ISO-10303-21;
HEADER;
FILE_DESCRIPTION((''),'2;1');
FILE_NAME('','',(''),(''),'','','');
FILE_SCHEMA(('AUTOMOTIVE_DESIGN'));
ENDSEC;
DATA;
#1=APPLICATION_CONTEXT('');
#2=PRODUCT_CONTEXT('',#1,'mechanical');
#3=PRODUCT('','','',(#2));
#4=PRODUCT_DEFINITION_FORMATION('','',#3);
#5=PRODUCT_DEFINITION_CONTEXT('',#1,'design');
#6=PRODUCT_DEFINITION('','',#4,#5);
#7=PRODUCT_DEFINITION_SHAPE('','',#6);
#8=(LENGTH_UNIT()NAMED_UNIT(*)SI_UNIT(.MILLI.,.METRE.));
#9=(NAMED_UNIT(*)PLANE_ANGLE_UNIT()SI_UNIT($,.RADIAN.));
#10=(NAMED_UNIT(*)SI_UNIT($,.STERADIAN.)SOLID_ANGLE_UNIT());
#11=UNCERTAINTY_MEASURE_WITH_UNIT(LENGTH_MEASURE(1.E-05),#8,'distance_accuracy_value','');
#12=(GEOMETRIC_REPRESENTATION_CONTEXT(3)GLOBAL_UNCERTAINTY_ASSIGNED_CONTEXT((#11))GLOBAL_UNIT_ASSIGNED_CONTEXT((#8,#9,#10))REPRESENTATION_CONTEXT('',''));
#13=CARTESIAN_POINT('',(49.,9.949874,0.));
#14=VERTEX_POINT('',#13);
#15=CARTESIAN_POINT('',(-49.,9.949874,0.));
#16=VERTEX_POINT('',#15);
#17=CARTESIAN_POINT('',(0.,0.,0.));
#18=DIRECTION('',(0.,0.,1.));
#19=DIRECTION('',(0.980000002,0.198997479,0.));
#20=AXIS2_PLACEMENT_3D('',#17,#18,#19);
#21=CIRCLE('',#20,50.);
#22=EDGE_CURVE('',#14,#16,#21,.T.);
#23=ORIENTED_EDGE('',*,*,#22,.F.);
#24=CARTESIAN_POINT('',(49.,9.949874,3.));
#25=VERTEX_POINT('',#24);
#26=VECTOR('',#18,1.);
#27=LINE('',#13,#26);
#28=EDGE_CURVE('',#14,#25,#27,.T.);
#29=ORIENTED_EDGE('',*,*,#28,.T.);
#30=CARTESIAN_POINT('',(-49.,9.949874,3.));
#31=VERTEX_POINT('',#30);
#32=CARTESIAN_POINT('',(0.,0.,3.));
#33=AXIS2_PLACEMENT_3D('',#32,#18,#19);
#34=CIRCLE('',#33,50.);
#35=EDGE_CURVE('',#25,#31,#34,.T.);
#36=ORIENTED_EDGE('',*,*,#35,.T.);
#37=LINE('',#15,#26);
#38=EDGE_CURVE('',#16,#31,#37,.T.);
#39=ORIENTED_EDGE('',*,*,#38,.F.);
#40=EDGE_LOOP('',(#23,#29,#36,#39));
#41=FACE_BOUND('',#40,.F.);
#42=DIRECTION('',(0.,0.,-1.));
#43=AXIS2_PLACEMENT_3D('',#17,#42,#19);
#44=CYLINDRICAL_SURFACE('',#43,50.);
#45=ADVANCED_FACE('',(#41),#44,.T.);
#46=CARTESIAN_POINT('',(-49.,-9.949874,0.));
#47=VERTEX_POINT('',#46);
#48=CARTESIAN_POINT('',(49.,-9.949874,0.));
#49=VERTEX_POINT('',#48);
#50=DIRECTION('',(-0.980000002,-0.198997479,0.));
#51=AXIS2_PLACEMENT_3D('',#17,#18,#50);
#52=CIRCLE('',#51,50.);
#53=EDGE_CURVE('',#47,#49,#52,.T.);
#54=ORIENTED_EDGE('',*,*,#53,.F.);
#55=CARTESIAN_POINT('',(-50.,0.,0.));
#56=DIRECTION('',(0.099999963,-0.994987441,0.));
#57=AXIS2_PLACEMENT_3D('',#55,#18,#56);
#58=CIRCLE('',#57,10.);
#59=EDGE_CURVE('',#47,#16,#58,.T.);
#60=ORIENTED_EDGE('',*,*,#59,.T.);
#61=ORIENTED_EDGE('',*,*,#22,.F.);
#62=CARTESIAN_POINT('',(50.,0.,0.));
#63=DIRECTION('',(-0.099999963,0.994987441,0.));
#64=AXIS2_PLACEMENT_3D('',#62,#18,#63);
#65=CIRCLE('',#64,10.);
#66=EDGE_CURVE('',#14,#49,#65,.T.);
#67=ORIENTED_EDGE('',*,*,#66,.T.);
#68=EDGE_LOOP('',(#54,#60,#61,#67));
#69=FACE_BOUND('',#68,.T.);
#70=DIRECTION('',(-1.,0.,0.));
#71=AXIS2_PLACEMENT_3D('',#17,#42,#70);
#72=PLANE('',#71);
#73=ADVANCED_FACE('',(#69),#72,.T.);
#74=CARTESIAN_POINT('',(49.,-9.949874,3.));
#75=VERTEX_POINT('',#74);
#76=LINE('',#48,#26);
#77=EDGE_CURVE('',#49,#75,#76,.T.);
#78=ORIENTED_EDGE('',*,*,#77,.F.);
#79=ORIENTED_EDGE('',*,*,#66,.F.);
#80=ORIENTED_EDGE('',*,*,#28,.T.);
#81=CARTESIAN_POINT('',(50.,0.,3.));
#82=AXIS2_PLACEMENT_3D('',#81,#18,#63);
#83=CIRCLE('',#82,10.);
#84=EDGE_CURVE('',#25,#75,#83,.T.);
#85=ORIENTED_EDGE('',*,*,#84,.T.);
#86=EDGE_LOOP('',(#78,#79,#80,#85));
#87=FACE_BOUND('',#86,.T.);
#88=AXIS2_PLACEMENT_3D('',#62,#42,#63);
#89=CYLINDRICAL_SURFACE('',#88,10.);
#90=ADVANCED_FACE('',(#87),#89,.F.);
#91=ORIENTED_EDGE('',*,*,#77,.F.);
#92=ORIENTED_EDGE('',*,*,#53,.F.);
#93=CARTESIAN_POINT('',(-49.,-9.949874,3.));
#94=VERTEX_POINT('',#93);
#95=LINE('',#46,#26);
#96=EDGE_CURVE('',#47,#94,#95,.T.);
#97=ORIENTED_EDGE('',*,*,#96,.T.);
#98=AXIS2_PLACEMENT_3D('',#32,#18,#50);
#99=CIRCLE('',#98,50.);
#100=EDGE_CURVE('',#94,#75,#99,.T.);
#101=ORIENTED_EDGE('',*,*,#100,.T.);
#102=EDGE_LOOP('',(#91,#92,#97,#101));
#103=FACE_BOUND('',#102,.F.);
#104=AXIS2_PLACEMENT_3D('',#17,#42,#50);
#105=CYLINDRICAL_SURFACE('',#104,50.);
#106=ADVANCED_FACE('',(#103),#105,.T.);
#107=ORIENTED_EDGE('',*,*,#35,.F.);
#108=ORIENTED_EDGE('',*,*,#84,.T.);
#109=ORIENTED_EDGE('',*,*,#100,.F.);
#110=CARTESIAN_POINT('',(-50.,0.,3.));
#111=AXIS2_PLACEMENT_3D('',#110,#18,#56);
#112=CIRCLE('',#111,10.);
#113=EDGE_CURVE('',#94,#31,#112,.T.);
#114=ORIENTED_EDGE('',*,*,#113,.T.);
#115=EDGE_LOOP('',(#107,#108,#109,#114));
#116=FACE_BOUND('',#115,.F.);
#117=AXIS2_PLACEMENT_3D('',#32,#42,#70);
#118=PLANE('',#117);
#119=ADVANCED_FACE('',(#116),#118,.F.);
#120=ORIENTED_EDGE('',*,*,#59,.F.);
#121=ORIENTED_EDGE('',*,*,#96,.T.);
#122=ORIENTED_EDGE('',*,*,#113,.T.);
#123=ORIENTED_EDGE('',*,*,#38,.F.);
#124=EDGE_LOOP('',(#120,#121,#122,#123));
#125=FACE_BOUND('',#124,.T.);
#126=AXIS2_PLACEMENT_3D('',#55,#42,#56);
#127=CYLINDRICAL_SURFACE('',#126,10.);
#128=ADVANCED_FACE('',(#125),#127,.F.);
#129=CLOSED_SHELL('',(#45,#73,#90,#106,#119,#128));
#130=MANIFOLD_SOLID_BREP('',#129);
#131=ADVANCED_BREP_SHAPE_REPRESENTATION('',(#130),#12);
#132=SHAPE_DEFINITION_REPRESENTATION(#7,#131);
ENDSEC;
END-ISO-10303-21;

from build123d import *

# Parameters (mm, degrees)
PAD_DEPTH = 3


with BuildPart() as part:
    # Sketch → Pad (new body)
    with BuildSketch(Plane.XY):
        with BuildLine():
            ThreePointArc((-49, -9.949874), (-40, 0), (-49, 9.949874))
            ThreePointArc((49, 9.949874), (0, 50), (-49, 9.949874))
            ThreePointArc((49, 9.949874), (40, 0), (49, -9.949874))
            ThreePointArc((-49, -9.949874), (0, -50), (49, -9.949874))
        make_face()
    extrude(amount=PAD_DEPTH)


solid = part.part
